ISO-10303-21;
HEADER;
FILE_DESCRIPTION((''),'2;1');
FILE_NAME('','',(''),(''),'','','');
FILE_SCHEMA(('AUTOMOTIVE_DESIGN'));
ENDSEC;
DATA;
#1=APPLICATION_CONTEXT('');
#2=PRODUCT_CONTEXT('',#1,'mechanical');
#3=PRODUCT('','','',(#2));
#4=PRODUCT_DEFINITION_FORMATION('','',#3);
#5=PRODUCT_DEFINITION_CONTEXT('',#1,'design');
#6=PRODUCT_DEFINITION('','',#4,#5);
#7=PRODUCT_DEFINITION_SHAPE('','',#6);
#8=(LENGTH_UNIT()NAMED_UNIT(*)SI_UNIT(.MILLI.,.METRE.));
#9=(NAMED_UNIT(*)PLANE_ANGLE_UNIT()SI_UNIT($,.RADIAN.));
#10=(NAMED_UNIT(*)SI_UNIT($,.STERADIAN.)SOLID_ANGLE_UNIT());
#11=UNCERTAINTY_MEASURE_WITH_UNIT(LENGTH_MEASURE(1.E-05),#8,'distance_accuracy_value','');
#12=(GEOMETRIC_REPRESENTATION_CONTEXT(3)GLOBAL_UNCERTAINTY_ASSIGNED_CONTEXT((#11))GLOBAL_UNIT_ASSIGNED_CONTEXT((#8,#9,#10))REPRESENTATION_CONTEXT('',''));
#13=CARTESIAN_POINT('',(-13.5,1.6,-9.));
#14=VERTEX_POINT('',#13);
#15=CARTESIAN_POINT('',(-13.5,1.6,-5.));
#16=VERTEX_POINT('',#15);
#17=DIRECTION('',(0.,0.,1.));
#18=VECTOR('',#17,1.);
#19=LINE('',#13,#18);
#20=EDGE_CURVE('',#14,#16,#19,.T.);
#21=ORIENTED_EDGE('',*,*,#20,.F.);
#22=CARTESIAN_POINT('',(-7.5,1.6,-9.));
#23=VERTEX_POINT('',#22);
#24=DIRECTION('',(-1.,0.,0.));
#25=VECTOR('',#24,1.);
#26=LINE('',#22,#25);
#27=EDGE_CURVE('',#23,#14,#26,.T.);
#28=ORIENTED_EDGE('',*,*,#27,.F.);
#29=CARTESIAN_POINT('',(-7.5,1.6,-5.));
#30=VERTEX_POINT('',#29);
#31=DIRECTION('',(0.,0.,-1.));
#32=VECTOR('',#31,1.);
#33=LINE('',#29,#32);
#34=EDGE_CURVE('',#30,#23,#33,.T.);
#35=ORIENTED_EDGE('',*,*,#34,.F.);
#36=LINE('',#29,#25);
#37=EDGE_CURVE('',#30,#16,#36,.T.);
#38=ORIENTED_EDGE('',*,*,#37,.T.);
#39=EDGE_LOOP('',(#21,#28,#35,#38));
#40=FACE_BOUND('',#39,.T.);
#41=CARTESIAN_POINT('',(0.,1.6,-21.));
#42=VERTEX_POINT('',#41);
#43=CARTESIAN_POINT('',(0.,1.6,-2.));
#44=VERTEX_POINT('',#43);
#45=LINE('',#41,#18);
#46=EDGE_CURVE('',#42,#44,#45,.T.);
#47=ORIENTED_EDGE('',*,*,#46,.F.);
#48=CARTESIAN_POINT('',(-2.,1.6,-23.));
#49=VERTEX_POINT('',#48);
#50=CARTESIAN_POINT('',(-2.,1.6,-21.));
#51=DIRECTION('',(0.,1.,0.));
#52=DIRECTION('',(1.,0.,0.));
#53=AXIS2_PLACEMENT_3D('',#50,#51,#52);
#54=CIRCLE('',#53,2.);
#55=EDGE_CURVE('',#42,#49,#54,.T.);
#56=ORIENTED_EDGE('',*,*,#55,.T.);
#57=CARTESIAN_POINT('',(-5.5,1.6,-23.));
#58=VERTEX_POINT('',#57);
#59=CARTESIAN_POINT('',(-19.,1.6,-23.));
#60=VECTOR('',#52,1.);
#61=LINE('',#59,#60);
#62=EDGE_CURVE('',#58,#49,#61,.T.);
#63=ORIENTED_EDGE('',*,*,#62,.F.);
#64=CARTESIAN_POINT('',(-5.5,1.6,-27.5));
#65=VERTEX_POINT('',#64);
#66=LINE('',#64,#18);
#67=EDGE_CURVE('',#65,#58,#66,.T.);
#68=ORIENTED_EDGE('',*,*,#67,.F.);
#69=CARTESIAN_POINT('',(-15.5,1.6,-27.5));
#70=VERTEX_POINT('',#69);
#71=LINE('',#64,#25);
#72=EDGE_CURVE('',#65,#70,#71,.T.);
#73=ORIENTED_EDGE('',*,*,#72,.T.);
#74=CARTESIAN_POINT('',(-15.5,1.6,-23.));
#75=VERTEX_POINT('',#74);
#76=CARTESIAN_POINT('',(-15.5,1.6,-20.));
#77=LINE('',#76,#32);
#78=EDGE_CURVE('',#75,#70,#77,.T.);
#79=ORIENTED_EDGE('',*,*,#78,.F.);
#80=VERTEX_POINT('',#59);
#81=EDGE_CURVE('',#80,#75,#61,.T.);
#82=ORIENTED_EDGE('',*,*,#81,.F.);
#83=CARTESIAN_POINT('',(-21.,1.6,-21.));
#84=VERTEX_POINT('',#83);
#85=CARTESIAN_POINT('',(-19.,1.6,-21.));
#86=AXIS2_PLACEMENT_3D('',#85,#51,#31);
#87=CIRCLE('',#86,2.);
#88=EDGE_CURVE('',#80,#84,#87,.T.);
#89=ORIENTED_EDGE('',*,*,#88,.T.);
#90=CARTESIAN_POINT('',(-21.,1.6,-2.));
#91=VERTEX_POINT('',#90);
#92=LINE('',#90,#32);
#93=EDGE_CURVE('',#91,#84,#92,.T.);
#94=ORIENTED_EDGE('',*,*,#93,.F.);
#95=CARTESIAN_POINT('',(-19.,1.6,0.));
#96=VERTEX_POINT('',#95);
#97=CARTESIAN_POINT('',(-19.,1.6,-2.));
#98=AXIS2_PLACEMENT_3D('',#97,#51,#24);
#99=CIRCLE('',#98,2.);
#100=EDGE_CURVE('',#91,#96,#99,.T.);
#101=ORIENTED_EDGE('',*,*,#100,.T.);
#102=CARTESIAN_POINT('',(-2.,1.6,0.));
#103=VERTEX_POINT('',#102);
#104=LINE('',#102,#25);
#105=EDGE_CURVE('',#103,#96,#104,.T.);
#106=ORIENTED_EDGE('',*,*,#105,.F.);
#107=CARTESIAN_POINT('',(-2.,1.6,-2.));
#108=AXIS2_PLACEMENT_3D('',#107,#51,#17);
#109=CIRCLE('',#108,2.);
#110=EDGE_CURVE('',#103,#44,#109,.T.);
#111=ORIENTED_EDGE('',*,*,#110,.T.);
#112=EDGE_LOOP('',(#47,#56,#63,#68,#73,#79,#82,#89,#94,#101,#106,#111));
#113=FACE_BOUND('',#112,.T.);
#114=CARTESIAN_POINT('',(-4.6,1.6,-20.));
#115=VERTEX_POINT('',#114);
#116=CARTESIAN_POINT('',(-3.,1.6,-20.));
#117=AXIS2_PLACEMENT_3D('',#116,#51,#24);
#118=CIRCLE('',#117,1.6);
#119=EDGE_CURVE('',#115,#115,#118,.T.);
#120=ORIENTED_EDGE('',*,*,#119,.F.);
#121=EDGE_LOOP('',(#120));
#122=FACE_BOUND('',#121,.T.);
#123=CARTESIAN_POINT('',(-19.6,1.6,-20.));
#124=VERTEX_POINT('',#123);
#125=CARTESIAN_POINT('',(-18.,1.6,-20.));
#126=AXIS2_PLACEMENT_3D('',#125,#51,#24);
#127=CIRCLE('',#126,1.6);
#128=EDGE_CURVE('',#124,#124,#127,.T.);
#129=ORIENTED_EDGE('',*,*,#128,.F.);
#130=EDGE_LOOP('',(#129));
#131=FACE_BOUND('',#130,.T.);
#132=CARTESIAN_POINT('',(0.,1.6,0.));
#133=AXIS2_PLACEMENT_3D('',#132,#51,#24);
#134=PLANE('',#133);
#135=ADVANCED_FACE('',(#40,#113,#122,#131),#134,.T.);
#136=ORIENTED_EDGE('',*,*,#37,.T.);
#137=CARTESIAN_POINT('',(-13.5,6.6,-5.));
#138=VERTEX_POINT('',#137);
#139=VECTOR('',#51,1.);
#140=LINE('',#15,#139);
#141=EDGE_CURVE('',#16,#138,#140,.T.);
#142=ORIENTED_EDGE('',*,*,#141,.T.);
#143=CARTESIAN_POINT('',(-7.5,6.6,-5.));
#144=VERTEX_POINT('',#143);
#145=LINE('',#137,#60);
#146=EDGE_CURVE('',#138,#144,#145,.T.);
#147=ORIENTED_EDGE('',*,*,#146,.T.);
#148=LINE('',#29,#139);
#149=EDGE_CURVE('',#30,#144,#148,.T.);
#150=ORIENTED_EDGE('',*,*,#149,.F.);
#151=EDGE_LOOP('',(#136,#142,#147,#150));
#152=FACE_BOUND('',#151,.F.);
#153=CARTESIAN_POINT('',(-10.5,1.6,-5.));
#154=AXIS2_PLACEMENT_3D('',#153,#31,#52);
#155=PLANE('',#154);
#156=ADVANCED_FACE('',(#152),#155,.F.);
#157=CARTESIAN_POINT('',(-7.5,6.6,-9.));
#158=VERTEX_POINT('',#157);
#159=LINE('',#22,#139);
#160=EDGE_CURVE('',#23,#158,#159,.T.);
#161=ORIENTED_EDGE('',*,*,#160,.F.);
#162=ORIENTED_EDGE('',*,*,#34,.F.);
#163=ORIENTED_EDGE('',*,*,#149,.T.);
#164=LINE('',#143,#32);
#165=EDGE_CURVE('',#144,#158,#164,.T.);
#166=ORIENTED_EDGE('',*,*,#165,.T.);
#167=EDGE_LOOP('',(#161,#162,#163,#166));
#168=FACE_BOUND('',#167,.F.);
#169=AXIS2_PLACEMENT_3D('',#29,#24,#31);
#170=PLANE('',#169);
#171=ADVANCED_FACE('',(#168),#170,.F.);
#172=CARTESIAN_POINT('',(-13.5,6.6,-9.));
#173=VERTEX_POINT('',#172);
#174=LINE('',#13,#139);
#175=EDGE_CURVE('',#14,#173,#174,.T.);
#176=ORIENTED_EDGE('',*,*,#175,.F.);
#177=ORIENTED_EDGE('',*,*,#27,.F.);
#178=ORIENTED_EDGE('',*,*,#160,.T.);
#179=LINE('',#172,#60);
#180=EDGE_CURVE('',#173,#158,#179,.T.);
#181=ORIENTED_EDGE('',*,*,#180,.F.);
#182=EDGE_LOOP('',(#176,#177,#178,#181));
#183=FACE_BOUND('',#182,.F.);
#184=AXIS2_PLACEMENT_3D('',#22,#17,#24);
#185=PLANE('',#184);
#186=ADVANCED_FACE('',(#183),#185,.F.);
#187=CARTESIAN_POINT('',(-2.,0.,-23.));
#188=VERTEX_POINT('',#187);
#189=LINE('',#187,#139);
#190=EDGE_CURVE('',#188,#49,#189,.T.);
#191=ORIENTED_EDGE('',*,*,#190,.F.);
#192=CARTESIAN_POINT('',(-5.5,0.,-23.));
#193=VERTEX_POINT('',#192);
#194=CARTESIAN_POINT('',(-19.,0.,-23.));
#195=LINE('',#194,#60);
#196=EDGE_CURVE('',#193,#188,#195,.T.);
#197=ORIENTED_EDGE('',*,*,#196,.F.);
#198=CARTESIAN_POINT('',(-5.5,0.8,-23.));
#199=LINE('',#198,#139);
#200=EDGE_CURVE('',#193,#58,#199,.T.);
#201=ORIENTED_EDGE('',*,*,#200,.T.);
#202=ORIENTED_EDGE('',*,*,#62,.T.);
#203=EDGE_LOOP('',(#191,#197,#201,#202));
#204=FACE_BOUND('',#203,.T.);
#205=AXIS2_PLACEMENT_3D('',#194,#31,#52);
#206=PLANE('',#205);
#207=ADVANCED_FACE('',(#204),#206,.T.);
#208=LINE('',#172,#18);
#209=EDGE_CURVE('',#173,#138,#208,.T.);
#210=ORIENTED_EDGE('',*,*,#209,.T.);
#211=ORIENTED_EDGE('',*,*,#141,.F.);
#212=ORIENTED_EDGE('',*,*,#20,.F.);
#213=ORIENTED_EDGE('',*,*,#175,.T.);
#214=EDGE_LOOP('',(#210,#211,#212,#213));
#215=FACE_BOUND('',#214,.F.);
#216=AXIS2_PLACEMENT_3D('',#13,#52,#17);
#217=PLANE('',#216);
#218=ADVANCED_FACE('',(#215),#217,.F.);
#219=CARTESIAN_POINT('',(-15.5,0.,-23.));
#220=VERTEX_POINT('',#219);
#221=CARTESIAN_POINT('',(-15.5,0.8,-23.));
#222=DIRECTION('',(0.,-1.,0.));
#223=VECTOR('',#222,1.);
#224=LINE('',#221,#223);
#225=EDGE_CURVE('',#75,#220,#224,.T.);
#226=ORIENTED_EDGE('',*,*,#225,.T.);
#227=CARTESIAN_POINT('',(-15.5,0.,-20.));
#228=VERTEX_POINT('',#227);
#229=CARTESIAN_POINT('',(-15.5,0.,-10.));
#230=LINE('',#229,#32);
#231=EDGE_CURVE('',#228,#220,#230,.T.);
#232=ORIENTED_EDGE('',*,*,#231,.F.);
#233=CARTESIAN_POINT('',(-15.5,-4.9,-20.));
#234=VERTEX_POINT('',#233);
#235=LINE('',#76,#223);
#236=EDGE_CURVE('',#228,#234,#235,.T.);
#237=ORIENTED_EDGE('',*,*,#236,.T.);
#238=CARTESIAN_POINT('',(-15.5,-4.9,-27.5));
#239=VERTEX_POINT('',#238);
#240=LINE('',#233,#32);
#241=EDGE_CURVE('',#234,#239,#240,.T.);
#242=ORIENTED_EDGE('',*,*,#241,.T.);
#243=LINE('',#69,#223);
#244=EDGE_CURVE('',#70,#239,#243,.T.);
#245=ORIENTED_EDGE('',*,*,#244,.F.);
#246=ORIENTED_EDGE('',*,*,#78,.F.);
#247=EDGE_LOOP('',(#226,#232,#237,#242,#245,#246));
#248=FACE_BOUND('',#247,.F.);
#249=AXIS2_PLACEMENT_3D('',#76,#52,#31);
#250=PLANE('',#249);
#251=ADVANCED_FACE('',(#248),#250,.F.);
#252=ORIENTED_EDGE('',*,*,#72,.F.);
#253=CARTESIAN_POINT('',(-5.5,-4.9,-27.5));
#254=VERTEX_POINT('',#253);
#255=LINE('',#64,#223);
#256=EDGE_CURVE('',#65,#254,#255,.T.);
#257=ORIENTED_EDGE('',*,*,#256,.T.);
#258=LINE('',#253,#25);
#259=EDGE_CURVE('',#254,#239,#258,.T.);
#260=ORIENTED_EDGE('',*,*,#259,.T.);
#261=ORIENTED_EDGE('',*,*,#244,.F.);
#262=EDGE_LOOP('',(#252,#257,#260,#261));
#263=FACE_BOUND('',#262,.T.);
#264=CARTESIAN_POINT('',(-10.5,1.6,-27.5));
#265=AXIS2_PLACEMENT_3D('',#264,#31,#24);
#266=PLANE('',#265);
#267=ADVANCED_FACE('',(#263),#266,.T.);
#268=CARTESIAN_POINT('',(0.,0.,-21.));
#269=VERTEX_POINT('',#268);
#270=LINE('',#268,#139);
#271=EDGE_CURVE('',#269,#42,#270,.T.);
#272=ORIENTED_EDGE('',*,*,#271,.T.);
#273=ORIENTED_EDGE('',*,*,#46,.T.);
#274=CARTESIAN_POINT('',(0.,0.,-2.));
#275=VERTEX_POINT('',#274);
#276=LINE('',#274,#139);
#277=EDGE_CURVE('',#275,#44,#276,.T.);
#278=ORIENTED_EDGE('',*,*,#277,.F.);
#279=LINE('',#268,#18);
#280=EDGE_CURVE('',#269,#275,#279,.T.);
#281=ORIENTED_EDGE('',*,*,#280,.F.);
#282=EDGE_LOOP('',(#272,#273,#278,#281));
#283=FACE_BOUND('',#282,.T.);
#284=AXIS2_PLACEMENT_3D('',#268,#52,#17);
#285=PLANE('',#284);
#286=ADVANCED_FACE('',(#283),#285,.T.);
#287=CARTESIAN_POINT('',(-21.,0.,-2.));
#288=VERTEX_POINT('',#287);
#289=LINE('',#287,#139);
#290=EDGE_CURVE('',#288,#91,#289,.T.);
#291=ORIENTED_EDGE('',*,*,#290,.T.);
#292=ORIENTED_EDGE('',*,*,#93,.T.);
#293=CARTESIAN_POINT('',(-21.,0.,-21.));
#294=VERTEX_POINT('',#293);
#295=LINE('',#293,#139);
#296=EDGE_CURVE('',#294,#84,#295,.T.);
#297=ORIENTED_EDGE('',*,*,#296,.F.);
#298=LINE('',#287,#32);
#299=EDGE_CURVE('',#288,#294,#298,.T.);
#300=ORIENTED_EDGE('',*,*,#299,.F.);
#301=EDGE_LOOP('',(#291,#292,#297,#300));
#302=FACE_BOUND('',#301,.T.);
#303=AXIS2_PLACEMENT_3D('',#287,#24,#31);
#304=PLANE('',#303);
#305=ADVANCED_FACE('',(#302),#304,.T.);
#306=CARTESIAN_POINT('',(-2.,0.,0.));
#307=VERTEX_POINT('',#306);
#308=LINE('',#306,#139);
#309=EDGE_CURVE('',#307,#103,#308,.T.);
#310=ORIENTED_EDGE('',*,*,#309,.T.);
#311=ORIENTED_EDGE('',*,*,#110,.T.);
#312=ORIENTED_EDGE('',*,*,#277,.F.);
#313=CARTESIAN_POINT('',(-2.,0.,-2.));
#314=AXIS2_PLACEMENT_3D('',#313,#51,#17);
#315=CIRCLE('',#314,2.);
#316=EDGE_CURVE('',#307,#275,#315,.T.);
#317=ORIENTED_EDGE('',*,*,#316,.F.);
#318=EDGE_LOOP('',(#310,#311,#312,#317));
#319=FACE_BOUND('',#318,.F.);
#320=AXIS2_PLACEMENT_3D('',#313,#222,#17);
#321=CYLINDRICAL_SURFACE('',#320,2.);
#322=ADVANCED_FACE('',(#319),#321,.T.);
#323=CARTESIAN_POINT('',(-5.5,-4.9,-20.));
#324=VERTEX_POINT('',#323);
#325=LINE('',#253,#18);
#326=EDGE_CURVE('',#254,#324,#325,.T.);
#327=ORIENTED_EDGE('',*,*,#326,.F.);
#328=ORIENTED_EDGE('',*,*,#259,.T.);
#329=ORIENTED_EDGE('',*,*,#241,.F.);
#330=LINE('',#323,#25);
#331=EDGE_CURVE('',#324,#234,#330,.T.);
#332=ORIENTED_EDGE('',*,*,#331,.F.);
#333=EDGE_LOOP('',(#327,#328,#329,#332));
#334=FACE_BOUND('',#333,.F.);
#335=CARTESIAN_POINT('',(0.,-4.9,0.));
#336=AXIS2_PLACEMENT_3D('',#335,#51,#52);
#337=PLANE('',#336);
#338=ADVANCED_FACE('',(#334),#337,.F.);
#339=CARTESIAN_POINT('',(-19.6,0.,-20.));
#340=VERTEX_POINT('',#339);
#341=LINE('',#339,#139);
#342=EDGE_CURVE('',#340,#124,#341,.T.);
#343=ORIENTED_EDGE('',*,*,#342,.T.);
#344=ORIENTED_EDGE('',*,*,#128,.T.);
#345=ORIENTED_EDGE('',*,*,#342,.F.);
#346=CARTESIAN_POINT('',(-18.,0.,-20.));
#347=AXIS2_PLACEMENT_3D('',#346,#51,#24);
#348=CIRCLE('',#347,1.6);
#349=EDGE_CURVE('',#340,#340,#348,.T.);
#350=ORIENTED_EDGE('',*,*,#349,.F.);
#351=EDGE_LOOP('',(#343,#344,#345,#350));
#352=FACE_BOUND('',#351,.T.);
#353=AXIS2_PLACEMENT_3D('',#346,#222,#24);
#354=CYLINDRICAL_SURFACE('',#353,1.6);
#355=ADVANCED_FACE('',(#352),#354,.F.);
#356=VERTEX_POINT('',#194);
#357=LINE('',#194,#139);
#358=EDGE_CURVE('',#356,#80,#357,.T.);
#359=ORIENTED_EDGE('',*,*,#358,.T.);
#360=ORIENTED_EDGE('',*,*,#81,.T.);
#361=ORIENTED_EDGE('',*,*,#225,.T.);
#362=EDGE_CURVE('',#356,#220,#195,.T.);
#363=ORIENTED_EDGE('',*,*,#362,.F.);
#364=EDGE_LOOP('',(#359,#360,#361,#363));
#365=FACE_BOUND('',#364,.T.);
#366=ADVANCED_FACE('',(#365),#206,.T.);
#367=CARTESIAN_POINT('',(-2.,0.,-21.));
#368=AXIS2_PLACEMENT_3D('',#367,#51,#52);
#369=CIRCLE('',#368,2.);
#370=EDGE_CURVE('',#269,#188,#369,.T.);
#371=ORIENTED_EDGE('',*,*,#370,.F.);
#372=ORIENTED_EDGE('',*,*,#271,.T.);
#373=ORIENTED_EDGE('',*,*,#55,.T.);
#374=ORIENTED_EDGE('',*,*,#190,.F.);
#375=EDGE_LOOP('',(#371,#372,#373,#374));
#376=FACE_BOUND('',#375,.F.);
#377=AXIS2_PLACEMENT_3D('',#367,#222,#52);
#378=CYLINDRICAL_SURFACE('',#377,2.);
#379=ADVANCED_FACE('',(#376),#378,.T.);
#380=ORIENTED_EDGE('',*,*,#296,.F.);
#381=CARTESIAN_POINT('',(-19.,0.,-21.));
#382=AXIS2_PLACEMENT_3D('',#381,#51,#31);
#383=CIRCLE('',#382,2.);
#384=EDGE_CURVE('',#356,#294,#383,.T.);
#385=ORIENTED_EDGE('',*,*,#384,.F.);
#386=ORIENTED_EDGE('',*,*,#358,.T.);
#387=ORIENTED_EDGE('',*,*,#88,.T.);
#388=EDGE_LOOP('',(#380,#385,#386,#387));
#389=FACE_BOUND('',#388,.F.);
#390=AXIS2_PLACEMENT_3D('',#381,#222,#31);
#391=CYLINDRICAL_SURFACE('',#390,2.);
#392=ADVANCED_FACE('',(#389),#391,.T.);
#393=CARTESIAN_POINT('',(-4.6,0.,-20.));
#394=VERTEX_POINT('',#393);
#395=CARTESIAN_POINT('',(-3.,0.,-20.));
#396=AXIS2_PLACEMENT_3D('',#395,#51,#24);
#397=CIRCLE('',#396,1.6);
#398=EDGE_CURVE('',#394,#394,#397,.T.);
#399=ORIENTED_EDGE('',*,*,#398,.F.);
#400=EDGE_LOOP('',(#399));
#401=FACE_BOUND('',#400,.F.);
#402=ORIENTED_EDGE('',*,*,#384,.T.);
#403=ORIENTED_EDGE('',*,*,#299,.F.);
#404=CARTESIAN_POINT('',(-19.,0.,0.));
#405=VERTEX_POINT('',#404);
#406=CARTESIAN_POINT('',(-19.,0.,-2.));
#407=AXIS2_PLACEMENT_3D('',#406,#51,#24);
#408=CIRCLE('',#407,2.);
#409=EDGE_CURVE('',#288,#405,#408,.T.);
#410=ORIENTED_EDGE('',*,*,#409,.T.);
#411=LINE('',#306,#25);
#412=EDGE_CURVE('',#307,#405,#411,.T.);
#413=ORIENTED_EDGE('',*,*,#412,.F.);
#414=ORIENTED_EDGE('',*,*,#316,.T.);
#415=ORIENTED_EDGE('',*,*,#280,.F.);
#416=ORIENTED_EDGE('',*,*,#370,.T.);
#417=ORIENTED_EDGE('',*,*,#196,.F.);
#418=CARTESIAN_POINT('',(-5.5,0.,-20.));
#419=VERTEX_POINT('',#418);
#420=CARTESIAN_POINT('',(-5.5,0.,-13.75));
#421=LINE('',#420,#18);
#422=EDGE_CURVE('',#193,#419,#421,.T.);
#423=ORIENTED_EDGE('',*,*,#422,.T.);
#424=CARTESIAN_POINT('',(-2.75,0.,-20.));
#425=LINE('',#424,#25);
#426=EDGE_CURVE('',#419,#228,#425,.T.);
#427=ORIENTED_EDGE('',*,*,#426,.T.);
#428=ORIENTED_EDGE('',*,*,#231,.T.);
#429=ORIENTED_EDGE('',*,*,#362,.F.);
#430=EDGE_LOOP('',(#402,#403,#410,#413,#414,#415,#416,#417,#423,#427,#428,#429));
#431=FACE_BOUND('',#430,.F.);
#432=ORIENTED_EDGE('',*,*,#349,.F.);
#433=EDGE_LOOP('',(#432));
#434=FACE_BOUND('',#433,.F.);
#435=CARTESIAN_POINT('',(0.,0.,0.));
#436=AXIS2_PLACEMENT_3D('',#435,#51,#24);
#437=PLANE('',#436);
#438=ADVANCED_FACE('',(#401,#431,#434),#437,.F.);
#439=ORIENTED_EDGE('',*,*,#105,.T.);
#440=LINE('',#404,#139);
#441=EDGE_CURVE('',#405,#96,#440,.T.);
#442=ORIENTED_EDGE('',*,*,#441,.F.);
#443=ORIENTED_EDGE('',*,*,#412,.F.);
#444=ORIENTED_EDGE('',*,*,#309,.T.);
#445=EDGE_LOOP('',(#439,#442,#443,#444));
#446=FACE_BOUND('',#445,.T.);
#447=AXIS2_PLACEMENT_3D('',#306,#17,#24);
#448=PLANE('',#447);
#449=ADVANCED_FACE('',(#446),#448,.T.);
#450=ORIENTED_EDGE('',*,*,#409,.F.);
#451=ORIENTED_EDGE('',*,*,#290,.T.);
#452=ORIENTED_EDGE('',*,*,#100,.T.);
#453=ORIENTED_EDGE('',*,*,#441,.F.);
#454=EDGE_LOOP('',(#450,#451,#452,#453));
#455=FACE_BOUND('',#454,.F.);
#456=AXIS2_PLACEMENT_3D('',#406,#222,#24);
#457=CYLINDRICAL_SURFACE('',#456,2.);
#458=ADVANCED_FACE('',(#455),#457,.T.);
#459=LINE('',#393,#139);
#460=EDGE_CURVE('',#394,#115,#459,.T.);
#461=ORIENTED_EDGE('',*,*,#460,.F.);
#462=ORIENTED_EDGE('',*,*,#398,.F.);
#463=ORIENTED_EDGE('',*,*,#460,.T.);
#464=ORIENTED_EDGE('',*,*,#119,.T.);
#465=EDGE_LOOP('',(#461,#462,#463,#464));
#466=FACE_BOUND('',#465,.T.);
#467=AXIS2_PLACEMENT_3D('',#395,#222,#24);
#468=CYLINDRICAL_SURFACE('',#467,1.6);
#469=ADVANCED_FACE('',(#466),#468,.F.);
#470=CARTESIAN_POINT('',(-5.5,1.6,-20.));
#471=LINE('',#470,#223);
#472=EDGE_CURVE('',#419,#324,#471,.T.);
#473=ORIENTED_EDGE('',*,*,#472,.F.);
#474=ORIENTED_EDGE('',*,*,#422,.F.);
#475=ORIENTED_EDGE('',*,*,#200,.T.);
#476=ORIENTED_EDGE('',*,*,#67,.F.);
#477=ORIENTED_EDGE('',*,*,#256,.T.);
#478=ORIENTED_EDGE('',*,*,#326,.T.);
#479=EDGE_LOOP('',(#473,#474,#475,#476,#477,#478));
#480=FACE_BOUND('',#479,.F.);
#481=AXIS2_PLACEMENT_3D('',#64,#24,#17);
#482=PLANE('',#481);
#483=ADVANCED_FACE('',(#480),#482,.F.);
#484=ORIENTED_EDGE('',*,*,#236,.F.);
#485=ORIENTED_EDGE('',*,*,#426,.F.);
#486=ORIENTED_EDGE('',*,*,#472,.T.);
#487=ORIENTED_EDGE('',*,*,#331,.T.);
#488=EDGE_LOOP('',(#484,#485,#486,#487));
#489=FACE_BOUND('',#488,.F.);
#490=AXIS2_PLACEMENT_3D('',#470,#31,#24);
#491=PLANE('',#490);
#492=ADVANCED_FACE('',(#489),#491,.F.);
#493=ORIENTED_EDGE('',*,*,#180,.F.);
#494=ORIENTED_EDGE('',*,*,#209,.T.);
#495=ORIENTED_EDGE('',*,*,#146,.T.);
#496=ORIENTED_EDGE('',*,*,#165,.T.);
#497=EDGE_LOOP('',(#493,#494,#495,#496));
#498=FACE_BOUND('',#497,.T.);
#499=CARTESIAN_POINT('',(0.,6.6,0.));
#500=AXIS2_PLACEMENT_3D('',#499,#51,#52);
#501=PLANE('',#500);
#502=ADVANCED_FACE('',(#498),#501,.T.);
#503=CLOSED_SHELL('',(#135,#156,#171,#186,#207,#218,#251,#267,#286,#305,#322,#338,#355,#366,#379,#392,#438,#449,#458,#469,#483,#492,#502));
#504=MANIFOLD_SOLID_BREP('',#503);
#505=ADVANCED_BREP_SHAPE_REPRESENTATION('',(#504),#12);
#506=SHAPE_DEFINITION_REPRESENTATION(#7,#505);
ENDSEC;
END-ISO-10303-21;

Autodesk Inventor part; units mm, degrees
ref_plane "YZ Plane" through (0, 0, 0) normal (1, 0, 0) x (0, 1, 0)
ref_plane "XZ Plane" through (0, 0, 0) normal (0, 1, 0) x (-1, 0, 0)
ref_plane "XY Plane" through (0, 0, 0) normal (0, 0, 1) x (1, 0, 0)
sketch "Эскиз1" plane through (0, 0, 0) normal (0, 1, 0) x (-1, 0, 0)
  line L0 (2, 0) -> (19, 0)
  line L1 (21, -2) -> (21, -21)
  line L2 (19, -23) -> (2, -23)
  line L3 (0, -21) -> (0, -2)
  circle A0 centre (18, -20) radius 1.6
  circle A1 centre (3, -20) radius 1.6
  arc A2 (19, -23) -> (21, -21) centre (19, -21) ccw
  arc A3 (0, -21) -> (2, -23) centre (2, -21) ccw
  arc A4 (2, 0) -> (0, -2) centre (2, -2) ccw
  arc A5 (21, -2) -> (19, 0) centre (19, -2) ccw
  point P0 (0, 0)
  dimension "d6" = 2
  dimension "d20" = 15
  dimension "d21" = 3
  dimension "d22" = 3
extrude "Выдавливание1" add sketch "Эскиз1" along normal blind 1.6
sketch "Эскиз2" plane through (0, 1.6, 0) normal (0, 1, 0) x (1, 0, 0)
  circle A0 centre (-18, 20) radius 1.6 projected
  circle A1 centre (-3, 20) radius 1.6 projected
  line L0 (-10.5, 27.5) -> (-5.5, 27.5)
  line L1 (-5.5, 27.5) -> (-15.5, 27.5)
  line L2 (-15.5, 27.5) -> (-5.5, 27.5)
  line L3 (-5.5, 27.5) -> (-5.5, 20)
  line L4 (-5.5, 20) -> (-15.5, 20)
  line L5 (-15.5, 20) -> (-15.5, 27.5)
  point P0 (0, 0)
extrude "Выдавливание2" add sketch "Эскиз2" against normal blind 6.5 contours L0 L3 L4 L5 L1
sketch "Эскиз3" plane through (0, 1.6, 0) normal (0, 1, 0) x (1, 0, 0)
  line L0 (-5.5, 20) -> (-15.5, 20) projected
  line L1 (-10.5, 20) -> (-10.5, 5)
  line L2 (-10.5, 5) -> (-13.5, 5)
  line L3 (-10.5, 5) -> (-7.5, 5)
  line L4 (-13.5, 5) -> (-7.5, 5)
  line L5 (-7.5, 5) -> (-7.5, 9)
  line L6 (-7.5, 9) -> (-13.5, 9)
  line L7 (-13.5, 9) -> (-13.5, 5)
  line L8 (-21, 21) -> (-21, 2) projected
  line L9 (0, 2) -> (0, 21) projected
  point P0 (0, 0)
  dimension "d14" = 15
  dimension "d15" = 3
  dimension "d16" = 3
  dimension "d17" = 4
  dimension "d23" = 7.5
  dimension "d24" = 7.5
extrude "Выдавливание3" add sketch "Эскиз3" along normal blind 5
properties part number "Temp_Module"
